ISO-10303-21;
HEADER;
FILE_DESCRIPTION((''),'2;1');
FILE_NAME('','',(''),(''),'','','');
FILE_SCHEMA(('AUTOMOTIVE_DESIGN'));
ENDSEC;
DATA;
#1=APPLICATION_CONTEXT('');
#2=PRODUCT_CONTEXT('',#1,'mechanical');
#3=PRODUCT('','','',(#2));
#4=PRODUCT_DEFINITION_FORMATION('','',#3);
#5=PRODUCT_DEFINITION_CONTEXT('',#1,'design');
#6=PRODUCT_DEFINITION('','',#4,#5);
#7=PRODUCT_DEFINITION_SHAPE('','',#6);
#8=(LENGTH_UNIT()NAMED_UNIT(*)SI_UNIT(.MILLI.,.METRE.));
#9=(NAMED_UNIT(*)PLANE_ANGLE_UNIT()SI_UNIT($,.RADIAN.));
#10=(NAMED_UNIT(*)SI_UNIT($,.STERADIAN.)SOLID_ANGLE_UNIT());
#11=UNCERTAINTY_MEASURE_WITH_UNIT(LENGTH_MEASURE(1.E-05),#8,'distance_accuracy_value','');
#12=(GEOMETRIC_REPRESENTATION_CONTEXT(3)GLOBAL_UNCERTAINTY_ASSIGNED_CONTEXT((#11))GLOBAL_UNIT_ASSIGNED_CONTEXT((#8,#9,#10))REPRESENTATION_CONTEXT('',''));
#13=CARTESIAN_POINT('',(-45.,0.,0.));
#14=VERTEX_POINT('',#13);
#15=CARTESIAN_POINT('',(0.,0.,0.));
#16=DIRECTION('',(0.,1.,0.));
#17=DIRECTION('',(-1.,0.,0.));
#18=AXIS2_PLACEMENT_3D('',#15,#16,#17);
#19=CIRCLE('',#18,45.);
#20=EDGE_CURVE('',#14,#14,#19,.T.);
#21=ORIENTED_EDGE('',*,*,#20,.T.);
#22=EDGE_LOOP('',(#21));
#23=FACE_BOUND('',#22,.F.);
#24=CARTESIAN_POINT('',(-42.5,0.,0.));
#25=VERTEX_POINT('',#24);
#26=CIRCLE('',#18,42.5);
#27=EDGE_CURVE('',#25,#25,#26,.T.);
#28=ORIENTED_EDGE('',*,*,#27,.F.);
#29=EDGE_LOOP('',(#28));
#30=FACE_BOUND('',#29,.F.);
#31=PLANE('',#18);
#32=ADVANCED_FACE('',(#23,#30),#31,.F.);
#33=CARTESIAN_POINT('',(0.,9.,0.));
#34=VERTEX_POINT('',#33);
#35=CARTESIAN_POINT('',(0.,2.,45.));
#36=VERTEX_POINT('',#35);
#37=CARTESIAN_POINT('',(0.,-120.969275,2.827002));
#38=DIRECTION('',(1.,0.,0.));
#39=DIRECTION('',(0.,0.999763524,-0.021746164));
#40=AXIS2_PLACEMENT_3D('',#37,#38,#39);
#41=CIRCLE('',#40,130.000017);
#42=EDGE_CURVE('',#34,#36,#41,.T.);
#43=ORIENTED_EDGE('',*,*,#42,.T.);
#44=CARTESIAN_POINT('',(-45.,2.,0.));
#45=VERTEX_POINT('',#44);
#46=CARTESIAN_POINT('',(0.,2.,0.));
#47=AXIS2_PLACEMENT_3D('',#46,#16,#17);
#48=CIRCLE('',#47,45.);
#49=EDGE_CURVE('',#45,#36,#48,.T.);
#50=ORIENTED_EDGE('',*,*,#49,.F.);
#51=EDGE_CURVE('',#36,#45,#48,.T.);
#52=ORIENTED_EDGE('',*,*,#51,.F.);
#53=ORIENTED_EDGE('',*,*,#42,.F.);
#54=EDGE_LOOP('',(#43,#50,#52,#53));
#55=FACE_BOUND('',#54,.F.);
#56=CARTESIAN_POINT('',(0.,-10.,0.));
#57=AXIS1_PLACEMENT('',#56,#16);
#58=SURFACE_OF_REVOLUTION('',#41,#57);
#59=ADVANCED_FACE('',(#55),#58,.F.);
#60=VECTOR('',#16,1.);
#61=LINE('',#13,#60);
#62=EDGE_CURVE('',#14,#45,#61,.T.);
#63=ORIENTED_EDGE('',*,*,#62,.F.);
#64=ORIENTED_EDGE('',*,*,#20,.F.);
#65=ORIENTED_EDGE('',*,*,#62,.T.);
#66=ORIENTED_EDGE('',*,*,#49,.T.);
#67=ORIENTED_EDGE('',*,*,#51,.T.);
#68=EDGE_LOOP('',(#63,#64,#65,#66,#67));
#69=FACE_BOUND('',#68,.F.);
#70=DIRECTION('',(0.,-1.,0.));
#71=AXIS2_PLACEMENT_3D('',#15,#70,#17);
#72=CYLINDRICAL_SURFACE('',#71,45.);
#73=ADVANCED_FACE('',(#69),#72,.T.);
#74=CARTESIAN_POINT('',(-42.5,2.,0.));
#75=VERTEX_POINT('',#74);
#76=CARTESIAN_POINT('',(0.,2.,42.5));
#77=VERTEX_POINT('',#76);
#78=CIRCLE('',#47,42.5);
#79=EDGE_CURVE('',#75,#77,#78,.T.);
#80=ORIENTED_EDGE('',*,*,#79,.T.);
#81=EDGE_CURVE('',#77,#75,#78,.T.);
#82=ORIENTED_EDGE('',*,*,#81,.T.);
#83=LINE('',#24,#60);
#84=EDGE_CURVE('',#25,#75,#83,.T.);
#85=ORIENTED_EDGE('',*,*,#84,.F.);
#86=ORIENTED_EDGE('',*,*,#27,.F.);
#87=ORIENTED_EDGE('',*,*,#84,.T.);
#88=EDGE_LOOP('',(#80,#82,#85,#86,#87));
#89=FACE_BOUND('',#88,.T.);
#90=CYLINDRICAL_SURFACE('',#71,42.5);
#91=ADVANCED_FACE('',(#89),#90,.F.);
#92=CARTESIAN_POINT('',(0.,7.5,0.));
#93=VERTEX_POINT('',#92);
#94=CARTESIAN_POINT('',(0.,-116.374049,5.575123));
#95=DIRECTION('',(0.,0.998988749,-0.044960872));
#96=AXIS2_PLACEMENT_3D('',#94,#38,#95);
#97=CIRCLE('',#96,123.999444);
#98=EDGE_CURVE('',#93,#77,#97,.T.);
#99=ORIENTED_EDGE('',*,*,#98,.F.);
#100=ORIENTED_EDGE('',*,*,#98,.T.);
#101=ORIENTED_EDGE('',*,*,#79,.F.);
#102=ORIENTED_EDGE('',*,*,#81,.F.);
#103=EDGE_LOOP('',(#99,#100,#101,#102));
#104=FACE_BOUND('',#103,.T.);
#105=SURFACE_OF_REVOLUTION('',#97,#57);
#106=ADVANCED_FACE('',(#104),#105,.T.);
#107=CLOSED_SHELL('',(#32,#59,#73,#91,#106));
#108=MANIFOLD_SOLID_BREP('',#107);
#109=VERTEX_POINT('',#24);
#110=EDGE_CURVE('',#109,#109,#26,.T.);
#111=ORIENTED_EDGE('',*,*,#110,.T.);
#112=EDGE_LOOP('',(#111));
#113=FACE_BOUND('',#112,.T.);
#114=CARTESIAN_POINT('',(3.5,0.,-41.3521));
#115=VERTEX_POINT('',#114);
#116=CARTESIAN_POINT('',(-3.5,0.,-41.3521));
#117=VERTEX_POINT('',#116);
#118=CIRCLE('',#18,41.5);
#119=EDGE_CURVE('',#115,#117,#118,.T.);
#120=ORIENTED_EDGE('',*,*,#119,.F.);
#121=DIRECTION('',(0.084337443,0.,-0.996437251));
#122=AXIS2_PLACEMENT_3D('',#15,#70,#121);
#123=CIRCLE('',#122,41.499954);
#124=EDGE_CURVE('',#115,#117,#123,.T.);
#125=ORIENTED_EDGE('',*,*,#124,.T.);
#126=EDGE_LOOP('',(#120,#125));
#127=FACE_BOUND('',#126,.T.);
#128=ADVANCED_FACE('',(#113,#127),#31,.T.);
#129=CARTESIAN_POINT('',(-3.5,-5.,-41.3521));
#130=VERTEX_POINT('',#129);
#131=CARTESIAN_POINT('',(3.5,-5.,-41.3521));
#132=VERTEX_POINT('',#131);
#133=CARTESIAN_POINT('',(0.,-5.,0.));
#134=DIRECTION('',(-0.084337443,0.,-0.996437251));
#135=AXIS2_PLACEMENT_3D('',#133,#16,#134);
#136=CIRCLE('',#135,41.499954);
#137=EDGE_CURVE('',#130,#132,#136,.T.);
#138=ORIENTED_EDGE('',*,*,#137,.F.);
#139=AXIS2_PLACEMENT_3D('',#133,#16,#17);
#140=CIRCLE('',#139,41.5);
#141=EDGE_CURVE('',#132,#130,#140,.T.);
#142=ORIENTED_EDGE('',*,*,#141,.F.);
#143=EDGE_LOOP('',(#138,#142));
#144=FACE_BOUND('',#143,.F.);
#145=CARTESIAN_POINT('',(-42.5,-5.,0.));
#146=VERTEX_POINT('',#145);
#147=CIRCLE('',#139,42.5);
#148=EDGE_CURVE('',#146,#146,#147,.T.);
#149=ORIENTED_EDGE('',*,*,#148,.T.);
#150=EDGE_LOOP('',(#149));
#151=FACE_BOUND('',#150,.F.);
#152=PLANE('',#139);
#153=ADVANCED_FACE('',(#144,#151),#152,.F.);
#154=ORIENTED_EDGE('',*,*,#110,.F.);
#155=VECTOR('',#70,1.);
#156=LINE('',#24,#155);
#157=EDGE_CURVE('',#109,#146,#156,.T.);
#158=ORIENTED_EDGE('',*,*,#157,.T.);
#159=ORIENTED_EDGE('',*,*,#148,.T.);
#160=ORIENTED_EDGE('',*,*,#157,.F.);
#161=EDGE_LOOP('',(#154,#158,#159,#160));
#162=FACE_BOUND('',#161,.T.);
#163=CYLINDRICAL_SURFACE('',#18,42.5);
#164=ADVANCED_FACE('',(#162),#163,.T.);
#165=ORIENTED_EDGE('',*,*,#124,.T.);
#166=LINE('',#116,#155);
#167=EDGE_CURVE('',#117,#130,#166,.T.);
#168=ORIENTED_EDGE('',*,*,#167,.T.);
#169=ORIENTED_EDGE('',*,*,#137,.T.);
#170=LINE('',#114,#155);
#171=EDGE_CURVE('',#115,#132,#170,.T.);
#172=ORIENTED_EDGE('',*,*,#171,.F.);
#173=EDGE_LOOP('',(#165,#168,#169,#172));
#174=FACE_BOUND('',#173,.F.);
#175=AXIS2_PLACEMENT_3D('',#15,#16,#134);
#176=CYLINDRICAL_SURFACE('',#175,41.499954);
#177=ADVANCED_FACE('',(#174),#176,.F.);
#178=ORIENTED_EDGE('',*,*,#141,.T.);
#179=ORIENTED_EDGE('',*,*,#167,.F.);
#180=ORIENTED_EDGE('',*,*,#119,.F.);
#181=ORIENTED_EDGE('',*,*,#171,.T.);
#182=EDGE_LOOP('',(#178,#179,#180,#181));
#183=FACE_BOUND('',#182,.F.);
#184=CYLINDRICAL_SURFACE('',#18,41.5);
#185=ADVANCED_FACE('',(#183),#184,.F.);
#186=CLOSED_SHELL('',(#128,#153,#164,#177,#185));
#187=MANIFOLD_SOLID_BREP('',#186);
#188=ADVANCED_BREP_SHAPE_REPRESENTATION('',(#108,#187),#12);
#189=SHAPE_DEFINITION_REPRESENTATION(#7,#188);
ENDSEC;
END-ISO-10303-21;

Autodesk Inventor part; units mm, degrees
ref_plane "YZ Plane" through (0, 0, 0) normal (1, 0, 0) x (0, 1, 0)
ref_plane "XZ Plane" through (0, 0, 0) normal (0, 1, 0) x (-1, 0, 0)
ref_plane "XY Plane" through (0, 0, 0) normal (0, 0, 1) x (1, 0, 0)
sketch "Sketch1" plane through (0, 0, 0) normal (0, 1, 0) x (-1, 0, 0)
  circle A0 centre (0, 0) radius 45
  arc A1 (3.5, -41.3521) -> (-3.5, -41.3521) centre (0, 0) ccw
  circle A2 centre (0, 0) radius 42.5
  circle A3 centre (0, 0) radius 41.5
  point P0 (3.5, -41.3521)
  point P1 (-3.5, -41.3521)
  point P2 (3.5, -41.3521)
  point P3 (-3.5, -41.3521)
  dimension "d0" = 90
  dimension "d1" = 85
  dimension "d9" = 41.5
extrude "Extrusion1" add sketch "Sketch1" along normal blind 2 contours A0
extrude "Extrusion2" add sketch "Sketch1" against normal blind 5 contours A2
sketch "Sketch2" plane through (0, 0, 0) normal (1, 0, 0) x (0, 1, 0)
  line L0 (0, 0) -> (9, 0)
  line L1 (2, -45) -> (2, 45) projected
  arc A0 (9, 0) -> (2, 45) centre (-120.9693, 2.827) ccw
  line L2 (9, 0) -> (7.5, 0)
  line L3 (2, 42.5) -> (0, 42.5) projected
  arc A1 (7.5, 0) -> (2, 42.5) centre (-116.3746, 5.5751) ccw
  line L4 (0, -63.0618) -> (0, 63.3707) projected
  line L5 (-147.3603, 0) -> (37.3769, 0) projected
  dimension "d14" = 9
  dimension "d15" = 130
  dimension "d16" = 1.5
  dimension "d17" = 124
revolve "Revolution1" add sketch "Sketch2" angle 360 about axis through (0, -10, 0) along (0, 1, 0) contours A1 L1 A0 L0
properties part number "_3DPrint"
